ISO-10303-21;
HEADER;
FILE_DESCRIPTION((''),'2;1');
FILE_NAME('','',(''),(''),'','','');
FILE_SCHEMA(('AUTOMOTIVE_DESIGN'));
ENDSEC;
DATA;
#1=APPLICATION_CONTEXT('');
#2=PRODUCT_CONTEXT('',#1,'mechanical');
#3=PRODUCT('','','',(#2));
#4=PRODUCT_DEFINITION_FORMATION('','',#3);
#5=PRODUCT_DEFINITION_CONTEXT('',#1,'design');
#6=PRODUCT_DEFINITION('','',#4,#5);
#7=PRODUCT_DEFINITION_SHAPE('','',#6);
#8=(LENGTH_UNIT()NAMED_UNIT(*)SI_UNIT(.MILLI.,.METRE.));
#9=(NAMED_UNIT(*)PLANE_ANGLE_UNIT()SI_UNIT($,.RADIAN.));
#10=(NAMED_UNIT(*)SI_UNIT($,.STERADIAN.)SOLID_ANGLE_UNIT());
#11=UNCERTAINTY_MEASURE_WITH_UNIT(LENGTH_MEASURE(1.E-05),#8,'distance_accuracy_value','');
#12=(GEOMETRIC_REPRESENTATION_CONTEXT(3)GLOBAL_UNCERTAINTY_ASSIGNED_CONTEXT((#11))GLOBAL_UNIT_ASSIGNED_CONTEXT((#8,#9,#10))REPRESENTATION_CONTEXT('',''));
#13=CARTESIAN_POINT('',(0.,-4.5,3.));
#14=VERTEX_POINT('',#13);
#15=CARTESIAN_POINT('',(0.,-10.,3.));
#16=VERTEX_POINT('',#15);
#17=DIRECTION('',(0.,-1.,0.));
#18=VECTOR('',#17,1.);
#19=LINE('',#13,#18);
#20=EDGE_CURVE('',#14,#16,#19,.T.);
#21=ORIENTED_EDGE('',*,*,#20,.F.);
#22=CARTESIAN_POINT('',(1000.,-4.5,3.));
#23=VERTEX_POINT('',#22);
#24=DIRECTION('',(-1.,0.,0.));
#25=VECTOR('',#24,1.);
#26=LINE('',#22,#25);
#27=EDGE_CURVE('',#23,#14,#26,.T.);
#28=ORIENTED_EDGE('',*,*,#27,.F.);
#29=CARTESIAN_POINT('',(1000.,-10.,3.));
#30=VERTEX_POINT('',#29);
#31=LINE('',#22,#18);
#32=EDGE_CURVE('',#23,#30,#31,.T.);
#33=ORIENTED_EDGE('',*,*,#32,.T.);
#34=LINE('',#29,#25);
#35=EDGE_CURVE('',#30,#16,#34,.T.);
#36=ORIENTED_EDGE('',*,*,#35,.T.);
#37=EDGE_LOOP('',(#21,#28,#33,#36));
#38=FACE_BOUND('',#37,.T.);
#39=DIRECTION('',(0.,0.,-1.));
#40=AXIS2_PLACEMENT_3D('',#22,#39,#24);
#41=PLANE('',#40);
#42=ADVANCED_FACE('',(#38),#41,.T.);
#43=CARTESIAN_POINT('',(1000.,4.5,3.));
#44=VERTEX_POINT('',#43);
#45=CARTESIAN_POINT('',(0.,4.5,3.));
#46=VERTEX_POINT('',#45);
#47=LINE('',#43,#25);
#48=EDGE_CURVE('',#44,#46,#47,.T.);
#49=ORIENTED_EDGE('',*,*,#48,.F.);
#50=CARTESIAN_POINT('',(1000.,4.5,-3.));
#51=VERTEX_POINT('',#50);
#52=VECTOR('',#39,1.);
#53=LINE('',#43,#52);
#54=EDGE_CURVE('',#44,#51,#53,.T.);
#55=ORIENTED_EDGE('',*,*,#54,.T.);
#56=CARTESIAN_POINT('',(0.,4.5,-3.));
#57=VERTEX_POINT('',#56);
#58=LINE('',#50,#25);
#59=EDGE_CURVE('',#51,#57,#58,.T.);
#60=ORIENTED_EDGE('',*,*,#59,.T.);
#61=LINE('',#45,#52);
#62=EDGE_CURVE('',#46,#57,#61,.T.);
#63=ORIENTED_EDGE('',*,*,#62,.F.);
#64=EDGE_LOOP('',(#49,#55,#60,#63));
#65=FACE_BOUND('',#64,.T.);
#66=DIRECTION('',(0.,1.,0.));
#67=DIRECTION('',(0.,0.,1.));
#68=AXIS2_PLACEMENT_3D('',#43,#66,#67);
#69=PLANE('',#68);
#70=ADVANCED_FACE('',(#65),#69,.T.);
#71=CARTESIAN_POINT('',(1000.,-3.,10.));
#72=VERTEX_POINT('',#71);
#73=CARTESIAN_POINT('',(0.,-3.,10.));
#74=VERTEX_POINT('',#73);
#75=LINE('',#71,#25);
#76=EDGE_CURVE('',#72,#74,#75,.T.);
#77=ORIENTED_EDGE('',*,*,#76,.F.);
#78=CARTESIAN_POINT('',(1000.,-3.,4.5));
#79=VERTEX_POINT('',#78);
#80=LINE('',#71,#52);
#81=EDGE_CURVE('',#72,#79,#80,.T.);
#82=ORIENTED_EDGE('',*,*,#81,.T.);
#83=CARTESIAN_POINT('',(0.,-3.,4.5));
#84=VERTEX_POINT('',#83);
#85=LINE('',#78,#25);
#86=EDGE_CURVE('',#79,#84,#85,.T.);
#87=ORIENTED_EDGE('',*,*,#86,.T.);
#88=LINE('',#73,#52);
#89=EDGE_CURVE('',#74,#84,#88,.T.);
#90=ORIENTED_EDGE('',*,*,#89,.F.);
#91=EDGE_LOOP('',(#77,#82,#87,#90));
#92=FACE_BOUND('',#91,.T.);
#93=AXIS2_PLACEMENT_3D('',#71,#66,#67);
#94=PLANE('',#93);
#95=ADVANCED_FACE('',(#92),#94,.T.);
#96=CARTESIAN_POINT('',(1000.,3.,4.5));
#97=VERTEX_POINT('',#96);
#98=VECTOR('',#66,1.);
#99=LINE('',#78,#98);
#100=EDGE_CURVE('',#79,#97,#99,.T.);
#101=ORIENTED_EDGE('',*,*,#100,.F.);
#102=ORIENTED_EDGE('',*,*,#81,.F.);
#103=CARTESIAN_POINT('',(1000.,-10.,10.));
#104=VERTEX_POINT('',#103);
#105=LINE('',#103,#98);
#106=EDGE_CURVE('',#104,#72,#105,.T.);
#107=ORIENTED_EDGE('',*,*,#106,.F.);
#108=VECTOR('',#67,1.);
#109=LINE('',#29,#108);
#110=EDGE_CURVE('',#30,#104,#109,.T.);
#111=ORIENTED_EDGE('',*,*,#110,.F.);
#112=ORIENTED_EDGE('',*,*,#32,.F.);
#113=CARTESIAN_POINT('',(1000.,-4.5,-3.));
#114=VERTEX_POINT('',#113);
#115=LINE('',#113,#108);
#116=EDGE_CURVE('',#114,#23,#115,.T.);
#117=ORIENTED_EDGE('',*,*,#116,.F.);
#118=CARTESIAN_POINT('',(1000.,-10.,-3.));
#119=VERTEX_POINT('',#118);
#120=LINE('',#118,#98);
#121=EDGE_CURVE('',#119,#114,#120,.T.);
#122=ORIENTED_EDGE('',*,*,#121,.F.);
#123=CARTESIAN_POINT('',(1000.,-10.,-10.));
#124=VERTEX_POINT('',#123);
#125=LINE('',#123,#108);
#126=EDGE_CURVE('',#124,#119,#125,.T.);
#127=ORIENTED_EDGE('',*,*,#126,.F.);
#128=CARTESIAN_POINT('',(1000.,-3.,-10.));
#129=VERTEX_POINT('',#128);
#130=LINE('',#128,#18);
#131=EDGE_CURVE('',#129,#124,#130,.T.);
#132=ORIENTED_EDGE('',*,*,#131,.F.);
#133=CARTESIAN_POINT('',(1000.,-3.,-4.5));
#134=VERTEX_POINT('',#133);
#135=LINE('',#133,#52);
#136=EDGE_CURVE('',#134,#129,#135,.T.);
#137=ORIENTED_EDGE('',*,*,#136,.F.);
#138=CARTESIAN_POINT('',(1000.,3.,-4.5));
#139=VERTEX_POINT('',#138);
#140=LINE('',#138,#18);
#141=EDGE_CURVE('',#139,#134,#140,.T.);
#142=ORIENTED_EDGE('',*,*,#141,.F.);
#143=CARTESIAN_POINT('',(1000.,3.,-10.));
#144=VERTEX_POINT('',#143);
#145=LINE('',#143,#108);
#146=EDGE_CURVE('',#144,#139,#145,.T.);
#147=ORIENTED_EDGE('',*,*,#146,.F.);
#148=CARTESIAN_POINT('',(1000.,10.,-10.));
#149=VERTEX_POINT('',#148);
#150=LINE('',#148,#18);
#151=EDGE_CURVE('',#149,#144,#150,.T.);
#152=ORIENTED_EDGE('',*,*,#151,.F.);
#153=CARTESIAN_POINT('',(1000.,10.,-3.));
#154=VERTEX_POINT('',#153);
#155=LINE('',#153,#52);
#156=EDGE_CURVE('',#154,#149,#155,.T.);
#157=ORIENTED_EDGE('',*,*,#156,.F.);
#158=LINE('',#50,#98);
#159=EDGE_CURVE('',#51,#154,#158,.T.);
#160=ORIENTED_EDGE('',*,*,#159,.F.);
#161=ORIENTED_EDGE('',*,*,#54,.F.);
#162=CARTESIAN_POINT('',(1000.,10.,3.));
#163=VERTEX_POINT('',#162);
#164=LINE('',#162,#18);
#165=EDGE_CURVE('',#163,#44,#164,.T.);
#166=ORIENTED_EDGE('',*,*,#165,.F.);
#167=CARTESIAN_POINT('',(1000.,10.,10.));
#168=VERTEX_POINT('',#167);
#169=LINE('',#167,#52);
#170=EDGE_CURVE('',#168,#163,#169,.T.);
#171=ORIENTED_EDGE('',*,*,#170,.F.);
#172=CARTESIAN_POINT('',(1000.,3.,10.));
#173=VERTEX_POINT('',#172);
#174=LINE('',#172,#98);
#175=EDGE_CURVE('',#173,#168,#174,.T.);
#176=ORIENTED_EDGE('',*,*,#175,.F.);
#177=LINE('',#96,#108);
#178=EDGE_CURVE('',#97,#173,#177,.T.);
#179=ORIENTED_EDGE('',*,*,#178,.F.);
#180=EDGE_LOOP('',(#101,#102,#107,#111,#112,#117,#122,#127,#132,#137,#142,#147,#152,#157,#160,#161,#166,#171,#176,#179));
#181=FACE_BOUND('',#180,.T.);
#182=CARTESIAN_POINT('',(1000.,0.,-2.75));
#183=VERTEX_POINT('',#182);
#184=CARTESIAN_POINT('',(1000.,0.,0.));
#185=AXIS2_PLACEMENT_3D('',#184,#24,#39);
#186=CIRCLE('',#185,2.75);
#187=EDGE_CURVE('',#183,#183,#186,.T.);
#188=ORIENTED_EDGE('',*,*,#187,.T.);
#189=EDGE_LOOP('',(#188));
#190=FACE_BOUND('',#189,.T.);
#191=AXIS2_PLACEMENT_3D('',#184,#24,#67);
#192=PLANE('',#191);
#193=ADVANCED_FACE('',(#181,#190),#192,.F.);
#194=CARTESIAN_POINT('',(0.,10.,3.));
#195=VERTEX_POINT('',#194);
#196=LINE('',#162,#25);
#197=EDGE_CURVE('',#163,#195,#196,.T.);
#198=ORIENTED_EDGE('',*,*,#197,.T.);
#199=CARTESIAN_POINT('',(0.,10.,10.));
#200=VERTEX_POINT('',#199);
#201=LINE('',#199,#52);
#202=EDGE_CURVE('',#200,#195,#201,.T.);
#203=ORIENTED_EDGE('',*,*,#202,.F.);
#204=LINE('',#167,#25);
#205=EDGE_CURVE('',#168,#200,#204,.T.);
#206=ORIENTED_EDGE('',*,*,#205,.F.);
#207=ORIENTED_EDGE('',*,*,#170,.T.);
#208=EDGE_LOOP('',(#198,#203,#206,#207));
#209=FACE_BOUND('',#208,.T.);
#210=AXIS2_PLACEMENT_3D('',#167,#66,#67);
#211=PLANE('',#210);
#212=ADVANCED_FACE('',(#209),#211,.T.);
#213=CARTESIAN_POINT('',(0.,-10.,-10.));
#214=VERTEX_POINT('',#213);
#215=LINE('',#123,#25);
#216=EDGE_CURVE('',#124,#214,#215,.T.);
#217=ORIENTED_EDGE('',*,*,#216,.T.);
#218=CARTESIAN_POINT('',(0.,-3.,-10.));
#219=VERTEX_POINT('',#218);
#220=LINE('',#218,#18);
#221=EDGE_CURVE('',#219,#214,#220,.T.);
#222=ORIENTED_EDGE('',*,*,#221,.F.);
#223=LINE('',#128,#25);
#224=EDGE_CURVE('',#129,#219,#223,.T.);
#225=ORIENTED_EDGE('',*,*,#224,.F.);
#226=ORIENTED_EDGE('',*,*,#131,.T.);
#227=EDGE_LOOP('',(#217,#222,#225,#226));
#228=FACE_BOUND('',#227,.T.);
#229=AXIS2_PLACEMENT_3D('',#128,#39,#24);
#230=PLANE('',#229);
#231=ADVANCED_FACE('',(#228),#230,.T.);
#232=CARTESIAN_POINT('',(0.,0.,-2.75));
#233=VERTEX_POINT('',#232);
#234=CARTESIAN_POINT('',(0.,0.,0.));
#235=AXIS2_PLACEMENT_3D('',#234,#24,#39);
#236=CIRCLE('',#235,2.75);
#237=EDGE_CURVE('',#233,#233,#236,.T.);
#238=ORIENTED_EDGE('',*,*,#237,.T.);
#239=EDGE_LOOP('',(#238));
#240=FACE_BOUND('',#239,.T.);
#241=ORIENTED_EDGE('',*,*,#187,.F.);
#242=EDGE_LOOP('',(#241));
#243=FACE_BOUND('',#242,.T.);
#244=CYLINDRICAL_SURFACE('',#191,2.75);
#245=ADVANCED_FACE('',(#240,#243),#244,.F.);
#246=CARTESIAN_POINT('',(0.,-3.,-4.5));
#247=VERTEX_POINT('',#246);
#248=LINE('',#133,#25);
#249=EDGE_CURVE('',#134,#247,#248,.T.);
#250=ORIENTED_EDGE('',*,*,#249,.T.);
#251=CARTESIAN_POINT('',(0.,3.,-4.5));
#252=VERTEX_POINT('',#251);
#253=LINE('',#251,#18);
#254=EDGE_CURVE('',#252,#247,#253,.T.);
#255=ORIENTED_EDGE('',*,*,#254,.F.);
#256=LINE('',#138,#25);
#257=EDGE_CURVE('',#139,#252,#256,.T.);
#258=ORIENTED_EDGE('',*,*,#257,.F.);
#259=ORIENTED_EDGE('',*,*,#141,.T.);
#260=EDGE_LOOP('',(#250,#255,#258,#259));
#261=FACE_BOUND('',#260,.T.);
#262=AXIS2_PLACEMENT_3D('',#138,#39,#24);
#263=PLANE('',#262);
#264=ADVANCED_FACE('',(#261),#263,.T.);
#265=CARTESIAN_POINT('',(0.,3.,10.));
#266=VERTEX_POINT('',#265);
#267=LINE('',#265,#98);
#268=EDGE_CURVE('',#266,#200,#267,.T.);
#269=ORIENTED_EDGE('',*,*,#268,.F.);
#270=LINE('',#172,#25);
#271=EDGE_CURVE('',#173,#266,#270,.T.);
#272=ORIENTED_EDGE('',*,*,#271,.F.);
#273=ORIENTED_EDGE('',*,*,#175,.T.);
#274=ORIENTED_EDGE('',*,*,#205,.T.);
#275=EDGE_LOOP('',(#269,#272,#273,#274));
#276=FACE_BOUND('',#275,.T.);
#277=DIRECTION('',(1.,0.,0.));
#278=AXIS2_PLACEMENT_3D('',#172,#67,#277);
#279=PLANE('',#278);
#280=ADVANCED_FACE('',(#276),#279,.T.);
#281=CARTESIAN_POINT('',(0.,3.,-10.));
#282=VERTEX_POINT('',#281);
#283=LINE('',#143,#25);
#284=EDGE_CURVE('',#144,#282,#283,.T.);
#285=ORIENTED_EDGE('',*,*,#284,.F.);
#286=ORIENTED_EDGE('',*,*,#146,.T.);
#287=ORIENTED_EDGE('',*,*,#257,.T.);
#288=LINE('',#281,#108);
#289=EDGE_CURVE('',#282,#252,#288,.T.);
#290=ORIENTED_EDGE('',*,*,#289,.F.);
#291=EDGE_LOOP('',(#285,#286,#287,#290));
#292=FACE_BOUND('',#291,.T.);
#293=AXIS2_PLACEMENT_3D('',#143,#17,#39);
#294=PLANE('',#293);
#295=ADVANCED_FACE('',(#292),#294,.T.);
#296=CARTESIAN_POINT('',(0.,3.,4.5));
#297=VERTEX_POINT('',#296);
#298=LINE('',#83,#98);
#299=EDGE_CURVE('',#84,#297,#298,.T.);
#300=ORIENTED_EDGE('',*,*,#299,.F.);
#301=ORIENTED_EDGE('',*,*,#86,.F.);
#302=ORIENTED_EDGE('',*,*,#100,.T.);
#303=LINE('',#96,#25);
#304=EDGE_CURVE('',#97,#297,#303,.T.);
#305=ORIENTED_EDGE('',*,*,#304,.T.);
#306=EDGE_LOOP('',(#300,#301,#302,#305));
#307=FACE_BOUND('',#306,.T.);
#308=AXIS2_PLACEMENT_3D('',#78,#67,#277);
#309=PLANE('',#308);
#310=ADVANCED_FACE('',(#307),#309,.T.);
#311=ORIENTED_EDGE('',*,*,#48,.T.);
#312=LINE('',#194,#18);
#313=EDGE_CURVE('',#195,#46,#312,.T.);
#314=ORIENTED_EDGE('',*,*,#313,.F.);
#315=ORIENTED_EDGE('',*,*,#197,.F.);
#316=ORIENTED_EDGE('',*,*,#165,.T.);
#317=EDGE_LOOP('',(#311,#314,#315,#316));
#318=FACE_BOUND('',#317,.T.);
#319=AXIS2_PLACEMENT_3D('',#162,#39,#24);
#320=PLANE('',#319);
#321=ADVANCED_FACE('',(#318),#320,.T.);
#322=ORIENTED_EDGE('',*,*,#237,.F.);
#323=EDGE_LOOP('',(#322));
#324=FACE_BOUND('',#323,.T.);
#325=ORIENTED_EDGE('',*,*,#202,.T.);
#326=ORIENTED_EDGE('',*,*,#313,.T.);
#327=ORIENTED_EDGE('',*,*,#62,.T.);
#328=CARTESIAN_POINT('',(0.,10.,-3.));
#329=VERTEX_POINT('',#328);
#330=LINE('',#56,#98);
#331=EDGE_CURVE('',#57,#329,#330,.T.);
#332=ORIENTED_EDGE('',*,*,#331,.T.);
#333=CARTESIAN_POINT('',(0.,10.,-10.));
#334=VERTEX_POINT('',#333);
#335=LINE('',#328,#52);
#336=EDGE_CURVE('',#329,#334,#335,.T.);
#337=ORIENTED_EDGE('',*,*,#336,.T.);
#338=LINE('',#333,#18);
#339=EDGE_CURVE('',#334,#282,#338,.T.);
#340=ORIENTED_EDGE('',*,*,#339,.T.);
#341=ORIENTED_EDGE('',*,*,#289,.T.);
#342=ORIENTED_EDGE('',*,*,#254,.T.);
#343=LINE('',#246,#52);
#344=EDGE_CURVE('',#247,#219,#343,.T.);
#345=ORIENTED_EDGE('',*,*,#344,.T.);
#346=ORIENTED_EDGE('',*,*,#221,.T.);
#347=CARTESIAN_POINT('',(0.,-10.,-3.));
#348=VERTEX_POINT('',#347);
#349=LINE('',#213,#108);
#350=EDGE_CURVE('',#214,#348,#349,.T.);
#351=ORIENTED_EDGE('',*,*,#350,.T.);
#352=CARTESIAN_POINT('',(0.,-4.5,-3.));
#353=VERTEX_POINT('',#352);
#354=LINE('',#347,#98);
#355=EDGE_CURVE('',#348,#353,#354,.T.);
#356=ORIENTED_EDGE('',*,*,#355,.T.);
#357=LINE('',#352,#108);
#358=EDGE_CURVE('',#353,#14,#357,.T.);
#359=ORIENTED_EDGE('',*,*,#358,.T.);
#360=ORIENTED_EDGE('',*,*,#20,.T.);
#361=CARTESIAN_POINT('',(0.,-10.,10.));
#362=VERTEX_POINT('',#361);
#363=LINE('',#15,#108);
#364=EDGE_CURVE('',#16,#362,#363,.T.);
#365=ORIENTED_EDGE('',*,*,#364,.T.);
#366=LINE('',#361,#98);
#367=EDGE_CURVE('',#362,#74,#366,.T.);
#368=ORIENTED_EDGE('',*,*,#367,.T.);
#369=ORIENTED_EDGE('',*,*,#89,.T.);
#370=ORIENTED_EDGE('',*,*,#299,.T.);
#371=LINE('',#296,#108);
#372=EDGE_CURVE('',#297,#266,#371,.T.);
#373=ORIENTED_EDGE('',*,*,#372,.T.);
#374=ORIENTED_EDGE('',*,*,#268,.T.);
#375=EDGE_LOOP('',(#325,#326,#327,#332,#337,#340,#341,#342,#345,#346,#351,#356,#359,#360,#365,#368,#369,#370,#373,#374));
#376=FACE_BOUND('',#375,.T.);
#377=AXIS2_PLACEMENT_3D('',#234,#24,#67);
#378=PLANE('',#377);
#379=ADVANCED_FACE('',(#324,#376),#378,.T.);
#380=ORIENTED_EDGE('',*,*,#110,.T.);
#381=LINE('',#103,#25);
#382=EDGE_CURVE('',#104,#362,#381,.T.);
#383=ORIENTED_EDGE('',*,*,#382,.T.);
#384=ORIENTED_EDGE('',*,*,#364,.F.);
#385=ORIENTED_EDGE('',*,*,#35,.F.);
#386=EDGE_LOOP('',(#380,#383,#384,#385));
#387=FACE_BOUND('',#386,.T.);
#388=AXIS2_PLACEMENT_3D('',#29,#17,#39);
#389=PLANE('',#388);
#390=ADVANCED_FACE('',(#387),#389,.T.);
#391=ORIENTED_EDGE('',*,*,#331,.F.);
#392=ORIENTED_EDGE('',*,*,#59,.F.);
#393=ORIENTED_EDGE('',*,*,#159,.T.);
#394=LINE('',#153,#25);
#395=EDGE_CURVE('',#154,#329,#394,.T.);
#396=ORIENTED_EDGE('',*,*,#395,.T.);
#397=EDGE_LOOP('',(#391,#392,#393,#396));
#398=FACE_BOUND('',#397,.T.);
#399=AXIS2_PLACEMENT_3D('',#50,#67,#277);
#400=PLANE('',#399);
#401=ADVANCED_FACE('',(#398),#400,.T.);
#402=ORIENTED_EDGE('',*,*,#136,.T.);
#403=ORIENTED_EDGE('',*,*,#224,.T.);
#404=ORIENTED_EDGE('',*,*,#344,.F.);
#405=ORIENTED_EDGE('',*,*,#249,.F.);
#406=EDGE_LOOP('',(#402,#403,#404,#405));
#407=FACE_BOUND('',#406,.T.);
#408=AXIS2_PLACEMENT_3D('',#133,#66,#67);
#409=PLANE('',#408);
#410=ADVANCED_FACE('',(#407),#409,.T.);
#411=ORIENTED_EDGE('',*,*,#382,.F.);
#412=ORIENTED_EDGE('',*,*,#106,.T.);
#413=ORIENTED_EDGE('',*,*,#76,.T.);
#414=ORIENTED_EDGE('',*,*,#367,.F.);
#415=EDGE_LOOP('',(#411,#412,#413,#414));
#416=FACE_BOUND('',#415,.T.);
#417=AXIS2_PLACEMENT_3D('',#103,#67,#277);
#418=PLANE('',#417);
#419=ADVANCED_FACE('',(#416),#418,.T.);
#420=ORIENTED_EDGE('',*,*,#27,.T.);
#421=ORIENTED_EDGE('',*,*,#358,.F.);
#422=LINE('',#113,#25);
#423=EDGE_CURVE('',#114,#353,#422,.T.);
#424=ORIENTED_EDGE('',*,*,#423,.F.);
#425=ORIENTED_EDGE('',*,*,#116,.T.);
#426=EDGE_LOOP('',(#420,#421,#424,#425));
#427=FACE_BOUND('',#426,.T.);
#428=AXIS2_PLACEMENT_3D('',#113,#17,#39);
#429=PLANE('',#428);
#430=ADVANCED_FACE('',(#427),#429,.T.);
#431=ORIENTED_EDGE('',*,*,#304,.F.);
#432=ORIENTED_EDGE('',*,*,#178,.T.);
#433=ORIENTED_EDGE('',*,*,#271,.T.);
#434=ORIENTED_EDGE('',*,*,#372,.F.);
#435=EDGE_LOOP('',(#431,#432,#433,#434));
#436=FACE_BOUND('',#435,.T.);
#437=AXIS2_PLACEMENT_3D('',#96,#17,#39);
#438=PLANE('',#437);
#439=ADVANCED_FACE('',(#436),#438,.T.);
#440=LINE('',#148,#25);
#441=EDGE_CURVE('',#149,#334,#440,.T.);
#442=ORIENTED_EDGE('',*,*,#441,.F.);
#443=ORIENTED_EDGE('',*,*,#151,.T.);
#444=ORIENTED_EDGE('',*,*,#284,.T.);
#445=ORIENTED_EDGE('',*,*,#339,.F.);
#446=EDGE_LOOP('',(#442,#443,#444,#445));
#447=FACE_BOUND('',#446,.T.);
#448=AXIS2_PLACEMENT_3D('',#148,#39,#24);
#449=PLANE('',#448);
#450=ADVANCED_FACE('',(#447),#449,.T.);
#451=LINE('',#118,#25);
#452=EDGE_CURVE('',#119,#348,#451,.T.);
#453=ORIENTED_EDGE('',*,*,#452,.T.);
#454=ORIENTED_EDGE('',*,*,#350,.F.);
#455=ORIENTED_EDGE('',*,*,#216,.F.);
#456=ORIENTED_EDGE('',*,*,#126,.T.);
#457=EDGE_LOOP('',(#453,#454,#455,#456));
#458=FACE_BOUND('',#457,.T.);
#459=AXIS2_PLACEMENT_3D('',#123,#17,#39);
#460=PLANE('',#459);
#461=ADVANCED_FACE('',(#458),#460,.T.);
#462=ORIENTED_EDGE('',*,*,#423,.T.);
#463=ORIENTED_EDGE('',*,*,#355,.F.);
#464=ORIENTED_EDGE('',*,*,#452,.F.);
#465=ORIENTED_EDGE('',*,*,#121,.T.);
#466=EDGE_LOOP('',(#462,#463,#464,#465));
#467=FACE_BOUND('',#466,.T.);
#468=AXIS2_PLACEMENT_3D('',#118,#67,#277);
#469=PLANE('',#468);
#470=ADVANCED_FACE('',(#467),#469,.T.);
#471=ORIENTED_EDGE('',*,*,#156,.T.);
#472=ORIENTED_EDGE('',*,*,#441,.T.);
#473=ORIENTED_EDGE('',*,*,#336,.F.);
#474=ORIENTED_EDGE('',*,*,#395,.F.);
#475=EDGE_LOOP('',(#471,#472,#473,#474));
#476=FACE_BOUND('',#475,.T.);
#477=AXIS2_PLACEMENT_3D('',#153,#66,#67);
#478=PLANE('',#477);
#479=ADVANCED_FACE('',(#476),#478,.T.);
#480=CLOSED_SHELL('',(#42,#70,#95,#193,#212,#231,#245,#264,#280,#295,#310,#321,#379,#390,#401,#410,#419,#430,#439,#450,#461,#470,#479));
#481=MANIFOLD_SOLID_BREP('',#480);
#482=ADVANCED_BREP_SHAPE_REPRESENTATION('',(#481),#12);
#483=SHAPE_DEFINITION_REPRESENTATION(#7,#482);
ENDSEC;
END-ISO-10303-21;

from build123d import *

# Parameters (mm, degrees)
ESQUISSE1_R        = 2.75
BOSS_EXTRU_1_DEPTH = 1000


with BuildPart() as part:
    # Esquisse1 → Boss.-Extru.1 (new body)
    with BuildSketch(Plane(origin=(0, 0, 0), x_dir=(0, -1, 0), z_dir=(-1, 0, 0))):
        Polygon((-3, -10), (-3, -4.5), (3, -4.5), (3, -10), (10, -10), (10, -3), (4.5, -3), (4.5, 3), (10, 3), (10, 10), (3, 10), (3, 4.5), (-3, 4.5), (-3, 10), (-10, 10), (-10, 3), (-4.5, 3), (-4.5, -3), (-10, -3), (-10, -10), align=None)
        Circle(ESQUISSE1_R, mode=Mode.SUBTRACT)
    extrude(amount=-BOSS_EXTRU_1_DEPTH)


solid = part.part
